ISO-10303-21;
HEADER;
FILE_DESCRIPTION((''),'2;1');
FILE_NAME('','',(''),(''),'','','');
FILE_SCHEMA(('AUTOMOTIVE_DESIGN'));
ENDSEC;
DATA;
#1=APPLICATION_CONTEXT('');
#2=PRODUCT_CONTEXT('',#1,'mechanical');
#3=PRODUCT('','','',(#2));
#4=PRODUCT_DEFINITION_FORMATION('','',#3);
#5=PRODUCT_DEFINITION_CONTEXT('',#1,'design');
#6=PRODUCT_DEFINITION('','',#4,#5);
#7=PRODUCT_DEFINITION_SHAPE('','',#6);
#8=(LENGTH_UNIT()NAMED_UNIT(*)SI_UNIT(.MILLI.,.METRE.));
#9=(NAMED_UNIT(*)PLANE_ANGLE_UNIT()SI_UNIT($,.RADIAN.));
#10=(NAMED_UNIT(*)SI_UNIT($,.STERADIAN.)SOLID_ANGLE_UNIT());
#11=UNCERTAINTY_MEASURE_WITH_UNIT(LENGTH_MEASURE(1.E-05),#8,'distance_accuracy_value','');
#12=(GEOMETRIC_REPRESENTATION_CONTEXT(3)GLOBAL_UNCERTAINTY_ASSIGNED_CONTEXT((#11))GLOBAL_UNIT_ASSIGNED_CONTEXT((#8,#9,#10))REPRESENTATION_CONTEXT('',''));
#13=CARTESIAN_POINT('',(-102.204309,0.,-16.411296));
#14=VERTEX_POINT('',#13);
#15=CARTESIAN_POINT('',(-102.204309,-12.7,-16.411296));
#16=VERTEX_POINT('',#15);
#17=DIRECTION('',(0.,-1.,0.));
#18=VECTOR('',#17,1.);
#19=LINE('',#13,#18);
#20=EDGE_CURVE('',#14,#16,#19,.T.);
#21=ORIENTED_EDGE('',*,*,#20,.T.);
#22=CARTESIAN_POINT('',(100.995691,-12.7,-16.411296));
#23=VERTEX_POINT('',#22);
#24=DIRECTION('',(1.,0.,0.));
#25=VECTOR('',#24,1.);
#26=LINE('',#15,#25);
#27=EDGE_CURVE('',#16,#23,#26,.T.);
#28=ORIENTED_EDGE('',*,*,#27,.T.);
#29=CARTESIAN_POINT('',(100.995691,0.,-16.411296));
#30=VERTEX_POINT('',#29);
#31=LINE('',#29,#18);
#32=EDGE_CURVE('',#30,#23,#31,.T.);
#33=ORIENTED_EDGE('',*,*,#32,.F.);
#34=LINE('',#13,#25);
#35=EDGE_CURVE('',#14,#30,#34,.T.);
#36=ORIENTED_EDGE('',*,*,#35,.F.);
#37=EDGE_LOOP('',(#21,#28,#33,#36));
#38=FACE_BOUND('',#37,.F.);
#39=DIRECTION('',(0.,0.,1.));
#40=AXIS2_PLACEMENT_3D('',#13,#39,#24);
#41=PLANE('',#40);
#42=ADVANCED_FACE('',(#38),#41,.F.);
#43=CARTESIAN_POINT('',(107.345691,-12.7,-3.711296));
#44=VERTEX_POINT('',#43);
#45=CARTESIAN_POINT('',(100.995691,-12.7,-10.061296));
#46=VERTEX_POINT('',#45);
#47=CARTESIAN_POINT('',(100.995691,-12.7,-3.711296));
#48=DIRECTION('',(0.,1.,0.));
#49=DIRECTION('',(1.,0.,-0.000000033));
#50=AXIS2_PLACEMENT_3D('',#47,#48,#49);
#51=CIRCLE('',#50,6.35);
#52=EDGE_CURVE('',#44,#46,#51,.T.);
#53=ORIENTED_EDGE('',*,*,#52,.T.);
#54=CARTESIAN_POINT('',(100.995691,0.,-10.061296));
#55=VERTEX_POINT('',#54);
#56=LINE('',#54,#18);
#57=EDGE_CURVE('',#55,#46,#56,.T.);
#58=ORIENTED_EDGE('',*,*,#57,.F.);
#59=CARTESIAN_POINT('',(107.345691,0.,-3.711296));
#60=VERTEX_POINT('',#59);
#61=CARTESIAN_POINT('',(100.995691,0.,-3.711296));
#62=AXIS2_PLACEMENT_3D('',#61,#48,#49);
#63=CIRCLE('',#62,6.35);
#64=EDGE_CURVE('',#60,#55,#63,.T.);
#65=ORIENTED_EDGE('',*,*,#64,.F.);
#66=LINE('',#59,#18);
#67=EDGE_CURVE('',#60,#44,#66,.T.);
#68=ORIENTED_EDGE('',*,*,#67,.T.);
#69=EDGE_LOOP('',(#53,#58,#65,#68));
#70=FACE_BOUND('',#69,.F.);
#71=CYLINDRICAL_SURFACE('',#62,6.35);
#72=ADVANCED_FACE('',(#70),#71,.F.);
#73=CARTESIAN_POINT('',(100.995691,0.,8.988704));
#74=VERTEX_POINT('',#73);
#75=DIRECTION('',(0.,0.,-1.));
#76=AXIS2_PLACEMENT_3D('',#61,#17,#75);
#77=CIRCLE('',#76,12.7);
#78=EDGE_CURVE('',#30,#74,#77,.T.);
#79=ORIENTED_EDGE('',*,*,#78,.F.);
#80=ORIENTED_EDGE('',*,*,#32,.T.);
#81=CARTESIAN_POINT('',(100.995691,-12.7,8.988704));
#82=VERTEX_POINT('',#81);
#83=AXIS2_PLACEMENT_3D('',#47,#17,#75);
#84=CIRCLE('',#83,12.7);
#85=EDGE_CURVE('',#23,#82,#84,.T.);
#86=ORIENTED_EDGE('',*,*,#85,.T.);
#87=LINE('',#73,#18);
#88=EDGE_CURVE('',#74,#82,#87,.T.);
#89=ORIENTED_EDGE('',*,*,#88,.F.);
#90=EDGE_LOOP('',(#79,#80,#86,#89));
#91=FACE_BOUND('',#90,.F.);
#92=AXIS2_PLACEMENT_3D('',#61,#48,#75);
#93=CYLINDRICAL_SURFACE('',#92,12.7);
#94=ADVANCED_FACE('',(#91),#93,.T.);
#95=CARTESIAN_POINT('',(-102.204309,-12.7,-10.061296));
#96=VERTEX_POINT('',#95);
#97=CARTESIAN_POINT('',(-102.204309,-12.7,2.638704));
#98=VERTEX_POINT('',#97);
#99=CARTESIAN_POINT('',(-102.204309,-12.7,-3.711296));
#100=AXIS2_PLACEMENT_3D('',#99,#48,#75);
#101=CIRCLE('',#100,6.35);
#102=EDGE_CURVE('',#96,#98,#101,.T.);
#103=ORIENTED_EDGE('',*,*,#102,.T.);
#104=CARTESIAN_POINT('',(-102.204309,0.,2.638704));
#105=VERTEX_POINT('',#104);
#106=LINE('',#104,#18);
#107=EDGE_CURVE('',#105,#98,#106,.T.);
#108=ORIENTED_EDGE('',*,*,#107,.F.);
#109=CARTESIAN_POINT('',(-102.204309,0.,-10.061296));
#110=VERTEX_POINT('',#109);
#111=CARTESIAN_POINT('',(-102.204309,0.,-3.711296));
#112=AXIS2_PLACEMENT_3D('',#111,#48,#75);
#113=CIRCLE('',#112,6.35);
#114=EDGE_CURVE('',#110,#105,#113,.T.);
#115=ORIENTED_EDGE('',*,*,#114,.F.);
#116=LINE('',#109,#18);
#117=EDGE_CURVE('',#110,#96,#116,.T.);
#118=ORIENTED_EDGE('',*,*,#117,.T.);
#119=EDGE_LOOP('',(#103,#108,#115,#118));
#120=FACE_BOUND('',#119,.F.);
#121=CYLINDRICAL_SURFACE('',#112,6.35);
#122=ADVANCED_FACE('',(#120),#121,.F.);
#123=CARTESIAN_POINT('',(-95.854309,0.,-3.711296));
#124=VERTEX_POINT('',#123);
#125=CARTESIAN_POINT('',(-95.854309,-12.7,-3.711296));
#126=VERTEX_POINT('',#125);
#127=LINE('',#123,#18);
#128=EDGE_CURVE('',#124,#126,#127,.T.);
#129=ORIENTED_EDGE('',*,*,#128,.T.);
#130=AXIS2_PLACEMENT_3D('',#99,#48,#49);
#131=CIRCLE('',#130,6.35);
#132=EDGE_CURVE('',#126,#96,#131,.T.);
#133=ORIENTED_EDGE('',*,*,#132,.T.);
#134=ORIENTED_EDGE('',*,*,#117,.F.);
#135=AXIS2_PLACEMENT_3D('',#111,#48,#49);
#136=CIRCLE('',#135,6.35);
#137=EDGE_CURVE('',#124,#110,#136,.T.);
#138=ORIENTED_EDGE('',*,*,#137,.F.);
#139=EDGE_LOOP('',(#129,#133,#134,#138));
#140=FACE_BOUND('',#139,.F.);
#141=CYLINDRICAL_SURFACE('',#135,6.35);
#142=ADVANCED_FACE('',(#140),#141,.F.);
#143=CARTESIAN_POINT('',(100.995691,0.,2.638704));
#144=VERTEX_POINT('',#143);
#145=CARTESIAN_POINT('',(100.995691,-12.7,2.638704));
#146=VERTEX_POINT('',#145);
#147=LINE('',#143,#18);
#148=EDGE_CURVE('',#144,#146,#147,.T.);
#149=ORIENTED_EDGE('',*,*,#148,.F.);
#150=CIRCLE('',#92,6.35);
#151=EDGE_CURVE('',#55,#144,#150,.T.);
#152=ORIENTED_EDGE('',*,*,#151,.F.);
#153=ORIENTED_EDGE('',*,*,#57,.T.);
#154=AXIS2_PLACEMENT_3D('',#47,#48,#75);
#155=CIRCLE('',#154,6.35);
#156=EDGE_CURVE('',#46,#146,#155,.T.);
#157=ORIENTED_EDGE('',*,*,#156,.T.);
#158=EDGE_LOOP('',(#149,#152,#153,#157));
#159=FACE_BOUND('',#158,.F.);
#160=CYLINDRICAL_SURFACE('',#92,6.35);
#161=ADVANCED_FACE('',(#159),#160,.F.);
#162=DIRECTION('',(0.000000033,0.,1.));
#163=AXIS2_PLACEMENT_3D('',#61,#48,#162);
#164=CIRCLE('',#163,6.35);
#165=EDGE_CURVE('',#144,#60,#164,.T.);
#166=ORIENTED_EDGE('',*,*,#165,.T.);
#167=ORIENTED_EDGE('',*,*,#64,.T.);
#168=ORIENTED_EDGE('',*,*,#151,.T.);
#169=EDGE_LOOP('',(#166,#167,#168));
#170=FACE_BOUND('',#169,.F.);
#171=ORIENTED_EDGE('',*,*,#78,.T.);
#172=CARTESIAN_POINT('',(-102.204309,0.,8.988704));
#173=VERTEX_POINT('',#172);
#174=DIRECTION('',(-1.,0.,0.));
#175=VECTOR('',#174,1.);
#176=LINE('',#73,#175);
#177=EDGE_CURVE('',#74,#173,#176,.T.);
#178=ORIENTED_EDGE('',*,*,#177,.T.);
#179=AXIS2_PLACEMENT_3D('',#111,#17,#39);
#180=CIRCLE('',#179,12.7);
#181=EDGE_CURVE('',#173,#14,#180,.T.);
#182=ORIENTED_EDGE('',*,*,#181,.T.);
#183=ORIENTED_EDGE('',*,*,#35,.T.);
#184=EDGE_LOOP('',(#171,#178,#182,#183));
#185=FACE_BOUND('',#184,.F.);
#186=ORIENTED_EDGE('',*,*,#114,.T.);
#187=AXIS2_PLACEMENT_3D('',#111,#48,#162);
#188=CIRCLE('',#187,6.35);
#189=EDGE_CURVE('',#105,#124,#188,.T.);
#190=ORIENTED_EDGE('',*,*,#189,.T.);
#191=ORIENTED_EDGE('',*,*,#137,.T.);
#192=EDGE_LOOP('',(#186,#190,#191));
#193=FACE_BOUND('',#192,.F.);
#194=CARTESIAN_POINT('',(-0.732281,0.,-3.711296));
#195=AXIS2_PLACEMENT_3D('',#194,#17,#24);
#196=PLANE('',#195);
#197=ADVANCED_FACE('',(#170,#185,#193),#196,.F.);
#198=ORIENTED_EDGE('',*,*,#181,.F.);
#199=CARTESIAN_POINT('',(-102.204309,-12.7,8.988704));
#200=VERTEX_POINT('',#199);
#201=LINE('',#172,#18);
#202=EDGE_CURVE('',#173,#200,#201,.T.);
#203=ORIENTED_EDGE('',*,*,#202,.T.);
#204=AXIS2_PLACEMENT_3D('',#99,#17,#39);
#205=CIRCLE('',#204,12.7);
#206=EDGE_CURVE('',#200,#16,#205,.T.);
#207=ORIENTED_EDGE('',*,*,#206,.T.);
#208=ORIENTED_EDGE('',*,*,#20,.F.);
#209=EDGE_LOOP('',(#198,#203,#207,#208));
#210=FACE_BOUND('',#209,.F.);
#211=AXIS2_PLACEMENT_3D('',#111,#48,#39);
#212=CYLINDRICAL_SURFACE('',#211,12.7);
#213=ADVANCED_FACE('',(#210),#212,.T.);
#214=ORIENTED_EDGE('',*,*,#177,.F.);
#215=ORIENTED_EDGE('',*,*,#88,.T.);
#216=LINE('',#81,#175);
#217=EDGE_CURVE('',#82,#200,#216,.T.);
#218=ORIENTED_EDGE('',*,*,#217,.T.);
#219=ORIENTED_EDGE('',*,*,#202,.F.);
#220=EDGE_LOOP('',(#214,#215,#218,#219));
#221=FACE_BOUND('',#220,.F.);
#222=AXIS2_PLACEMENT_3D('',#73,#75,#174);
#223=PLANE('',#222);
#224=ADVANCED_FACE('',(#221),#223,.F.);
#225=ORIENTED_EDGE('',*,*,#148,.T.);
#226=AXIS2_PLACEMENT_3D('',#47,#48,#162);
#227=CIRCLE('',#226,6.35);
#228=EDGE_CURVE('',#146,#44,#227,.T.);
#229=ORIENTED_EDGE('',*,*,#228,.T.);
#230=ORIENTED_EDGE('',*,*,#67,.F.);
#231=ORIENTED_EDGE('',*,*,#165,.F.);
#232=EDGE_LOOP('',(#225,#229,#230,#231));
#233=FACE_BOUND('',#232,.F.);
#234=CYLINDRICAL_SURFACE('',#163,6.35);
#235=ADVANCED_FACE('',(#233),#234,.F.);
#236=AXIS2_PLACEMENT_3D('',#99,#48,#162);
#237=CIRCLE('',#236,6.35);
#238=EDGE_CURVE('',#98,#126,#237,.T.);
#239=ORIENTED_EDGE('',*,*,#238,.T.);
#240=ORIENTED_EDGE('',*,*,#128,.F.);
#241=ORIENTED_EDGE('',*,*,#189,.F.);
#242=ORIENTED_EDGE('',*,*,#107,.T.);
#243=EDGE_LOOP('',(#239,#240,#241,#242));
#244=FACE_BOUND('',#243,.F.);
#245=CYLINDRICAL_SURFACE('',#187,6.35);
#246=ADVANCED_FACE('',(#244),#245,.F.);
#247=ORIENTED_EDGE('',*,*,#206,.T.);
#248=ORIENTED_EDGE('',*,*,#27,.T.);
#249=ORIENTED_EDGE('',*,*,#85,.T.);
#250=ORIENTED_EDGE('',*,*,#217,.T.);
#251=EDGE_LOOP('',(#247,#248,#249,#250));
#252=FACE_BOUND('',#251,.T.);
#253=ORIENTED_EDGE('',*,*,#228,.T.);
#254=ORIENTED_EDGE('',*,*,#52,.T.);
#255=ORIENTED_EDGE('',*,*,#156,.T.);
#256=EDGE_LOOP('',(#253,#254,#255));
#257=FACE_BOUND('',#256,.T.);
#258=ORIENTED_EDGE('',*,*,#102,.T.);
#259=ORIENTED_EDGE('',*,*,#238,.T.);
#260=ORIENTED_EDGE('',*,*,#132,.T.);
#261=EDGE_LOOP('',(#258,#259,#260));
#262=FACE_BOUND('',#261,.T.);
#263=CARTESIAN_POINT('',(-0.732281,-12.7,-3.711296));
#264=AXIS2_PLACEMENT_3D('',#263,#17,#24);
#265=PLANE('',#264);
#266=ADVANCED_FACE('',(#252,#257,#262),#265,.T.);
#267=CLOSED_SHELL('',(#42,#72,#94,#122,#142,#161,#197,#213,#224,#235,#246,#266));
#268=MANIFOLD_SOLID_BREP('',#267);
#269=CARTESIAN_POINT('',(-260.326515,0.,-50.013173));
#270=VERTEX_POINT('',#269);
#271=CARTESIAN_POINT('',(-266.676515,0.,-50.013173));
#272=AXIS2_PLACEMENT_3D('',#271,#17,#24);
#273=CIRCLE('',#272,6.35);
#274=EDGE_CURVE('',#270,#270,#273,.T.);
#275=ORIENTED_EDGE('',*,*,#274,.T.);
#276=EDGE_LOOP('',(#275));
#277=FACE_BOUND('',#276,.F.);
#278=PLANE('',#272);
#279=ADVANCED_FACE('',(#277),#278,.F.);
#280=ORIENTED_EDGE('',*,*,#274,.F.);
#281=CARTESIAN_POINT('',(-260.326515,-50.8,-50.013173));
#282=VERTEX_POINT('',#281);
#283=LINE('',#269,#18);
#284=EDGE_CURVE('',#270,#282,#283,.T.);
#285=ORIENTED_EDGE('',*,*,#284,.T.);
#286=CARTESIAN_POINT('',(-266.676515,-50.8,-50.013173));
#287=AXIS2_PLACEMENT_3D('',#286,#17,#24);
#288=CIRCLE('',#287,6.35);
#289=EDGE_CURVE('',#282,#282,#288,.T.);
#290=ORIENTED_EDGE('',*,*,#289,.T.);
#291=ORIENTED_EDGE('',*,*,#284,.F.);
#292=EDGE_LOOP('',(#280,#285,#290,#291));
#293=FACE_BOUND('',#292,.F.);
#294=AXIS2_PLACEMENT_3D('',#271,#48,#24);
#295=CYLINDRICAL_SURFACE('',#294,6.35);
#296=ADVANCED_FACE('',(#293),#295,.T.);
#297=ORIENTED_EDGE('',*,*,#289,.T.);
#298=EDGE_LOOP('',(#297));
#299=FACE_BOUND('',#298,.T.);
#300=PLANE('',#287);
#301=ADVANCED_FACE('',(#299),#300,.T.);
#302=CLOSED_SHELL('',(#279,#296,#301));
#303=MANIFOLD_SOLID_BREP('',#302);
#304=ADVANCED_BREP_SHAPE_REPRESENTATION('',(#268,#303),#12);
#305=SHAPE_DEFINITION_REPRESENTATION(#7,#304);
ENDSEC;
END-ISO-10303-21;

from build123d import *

# Parameters (mm, degrees)
F1_DEPTH = 12.7
F2_R     = 6.35
F3_DEPTH = 50.8


with BuildPart() as f1:
    # F0 (on Front) → F1 (new body)
    with BuildSketch(Plane.XZ):
        with BuildLine():
            Line((100.995691, 8.988704), (-102.204309, 8.988704))
            Line((-102.204309, 8.988704), (-102.204309, 2.638704))
            ThreePointArc((-102.204309, 2.638704), (-97.714181, 0.778832), (-95.854309, -3.711296))
            ThreePointArc((-95.854309, -3.711296), (-97.714181, -8.201424), (-102.204309, -10.061296))
            Line((-102.204309, -10.061296), (-102.204309, -16.411296))
            Line((-102.204309, -16.411296), (100.995691, -16.411296))
            Line((100.995691, -16.411296), (100.995691, -10.061296))
            ThreePointArc((100.995691, -10.061296), (94.645691, -3.711296), (100.995691, 2.638704))
            Line((100.995691, 2.638704), (100.995691, 8.988704))
        make_face()
        with BuildLine():
            Line((-102.204309, 2.638704), (-102.204309, 8.988704))
            ThreePointArc((-102.204309, 8.988704), (-114.904309, -3.711296), (-102.204309, -16.411296))
            Line((-102.204309, -16.411296), (-102.204309, -10.061296))
            ThreePointArc((-102.204309, -10.061296), (-108.554309, -3.711296), (-102.204309, 2.638704))
        make_face()
        with BuildLine():
            ThreePointArc((100.995691, -16.411296), (113.695691, -3.711296), (100.995691, 8.988704))
            Line((100.995691, 8.988704), (100.995691, 2.638704))
            ThreePointArc((100.995691, 2.638704), (105.485819, 0.778832), (107.345691, -3.711296))
            ThreePointArc((107.345691, -3.711296), (105.485819, -8.201424), (100.995691, -10.061296))
            Line((100.995691, -10.061296), (100.995691, -16.411296))
        make_face()
    extrude(amount=F1_DEPTH)


with BuildPart() as f3:
    # F2 (on Front) → F3 (new body)
    with BuildSketch(Plane.XZ):
        with Locations((-266.676515, -50.013173)):
            Circle(F2_R)
    extrude(amount=F3_DEPTH)


solid = Compound([f1.part, f3.part])
